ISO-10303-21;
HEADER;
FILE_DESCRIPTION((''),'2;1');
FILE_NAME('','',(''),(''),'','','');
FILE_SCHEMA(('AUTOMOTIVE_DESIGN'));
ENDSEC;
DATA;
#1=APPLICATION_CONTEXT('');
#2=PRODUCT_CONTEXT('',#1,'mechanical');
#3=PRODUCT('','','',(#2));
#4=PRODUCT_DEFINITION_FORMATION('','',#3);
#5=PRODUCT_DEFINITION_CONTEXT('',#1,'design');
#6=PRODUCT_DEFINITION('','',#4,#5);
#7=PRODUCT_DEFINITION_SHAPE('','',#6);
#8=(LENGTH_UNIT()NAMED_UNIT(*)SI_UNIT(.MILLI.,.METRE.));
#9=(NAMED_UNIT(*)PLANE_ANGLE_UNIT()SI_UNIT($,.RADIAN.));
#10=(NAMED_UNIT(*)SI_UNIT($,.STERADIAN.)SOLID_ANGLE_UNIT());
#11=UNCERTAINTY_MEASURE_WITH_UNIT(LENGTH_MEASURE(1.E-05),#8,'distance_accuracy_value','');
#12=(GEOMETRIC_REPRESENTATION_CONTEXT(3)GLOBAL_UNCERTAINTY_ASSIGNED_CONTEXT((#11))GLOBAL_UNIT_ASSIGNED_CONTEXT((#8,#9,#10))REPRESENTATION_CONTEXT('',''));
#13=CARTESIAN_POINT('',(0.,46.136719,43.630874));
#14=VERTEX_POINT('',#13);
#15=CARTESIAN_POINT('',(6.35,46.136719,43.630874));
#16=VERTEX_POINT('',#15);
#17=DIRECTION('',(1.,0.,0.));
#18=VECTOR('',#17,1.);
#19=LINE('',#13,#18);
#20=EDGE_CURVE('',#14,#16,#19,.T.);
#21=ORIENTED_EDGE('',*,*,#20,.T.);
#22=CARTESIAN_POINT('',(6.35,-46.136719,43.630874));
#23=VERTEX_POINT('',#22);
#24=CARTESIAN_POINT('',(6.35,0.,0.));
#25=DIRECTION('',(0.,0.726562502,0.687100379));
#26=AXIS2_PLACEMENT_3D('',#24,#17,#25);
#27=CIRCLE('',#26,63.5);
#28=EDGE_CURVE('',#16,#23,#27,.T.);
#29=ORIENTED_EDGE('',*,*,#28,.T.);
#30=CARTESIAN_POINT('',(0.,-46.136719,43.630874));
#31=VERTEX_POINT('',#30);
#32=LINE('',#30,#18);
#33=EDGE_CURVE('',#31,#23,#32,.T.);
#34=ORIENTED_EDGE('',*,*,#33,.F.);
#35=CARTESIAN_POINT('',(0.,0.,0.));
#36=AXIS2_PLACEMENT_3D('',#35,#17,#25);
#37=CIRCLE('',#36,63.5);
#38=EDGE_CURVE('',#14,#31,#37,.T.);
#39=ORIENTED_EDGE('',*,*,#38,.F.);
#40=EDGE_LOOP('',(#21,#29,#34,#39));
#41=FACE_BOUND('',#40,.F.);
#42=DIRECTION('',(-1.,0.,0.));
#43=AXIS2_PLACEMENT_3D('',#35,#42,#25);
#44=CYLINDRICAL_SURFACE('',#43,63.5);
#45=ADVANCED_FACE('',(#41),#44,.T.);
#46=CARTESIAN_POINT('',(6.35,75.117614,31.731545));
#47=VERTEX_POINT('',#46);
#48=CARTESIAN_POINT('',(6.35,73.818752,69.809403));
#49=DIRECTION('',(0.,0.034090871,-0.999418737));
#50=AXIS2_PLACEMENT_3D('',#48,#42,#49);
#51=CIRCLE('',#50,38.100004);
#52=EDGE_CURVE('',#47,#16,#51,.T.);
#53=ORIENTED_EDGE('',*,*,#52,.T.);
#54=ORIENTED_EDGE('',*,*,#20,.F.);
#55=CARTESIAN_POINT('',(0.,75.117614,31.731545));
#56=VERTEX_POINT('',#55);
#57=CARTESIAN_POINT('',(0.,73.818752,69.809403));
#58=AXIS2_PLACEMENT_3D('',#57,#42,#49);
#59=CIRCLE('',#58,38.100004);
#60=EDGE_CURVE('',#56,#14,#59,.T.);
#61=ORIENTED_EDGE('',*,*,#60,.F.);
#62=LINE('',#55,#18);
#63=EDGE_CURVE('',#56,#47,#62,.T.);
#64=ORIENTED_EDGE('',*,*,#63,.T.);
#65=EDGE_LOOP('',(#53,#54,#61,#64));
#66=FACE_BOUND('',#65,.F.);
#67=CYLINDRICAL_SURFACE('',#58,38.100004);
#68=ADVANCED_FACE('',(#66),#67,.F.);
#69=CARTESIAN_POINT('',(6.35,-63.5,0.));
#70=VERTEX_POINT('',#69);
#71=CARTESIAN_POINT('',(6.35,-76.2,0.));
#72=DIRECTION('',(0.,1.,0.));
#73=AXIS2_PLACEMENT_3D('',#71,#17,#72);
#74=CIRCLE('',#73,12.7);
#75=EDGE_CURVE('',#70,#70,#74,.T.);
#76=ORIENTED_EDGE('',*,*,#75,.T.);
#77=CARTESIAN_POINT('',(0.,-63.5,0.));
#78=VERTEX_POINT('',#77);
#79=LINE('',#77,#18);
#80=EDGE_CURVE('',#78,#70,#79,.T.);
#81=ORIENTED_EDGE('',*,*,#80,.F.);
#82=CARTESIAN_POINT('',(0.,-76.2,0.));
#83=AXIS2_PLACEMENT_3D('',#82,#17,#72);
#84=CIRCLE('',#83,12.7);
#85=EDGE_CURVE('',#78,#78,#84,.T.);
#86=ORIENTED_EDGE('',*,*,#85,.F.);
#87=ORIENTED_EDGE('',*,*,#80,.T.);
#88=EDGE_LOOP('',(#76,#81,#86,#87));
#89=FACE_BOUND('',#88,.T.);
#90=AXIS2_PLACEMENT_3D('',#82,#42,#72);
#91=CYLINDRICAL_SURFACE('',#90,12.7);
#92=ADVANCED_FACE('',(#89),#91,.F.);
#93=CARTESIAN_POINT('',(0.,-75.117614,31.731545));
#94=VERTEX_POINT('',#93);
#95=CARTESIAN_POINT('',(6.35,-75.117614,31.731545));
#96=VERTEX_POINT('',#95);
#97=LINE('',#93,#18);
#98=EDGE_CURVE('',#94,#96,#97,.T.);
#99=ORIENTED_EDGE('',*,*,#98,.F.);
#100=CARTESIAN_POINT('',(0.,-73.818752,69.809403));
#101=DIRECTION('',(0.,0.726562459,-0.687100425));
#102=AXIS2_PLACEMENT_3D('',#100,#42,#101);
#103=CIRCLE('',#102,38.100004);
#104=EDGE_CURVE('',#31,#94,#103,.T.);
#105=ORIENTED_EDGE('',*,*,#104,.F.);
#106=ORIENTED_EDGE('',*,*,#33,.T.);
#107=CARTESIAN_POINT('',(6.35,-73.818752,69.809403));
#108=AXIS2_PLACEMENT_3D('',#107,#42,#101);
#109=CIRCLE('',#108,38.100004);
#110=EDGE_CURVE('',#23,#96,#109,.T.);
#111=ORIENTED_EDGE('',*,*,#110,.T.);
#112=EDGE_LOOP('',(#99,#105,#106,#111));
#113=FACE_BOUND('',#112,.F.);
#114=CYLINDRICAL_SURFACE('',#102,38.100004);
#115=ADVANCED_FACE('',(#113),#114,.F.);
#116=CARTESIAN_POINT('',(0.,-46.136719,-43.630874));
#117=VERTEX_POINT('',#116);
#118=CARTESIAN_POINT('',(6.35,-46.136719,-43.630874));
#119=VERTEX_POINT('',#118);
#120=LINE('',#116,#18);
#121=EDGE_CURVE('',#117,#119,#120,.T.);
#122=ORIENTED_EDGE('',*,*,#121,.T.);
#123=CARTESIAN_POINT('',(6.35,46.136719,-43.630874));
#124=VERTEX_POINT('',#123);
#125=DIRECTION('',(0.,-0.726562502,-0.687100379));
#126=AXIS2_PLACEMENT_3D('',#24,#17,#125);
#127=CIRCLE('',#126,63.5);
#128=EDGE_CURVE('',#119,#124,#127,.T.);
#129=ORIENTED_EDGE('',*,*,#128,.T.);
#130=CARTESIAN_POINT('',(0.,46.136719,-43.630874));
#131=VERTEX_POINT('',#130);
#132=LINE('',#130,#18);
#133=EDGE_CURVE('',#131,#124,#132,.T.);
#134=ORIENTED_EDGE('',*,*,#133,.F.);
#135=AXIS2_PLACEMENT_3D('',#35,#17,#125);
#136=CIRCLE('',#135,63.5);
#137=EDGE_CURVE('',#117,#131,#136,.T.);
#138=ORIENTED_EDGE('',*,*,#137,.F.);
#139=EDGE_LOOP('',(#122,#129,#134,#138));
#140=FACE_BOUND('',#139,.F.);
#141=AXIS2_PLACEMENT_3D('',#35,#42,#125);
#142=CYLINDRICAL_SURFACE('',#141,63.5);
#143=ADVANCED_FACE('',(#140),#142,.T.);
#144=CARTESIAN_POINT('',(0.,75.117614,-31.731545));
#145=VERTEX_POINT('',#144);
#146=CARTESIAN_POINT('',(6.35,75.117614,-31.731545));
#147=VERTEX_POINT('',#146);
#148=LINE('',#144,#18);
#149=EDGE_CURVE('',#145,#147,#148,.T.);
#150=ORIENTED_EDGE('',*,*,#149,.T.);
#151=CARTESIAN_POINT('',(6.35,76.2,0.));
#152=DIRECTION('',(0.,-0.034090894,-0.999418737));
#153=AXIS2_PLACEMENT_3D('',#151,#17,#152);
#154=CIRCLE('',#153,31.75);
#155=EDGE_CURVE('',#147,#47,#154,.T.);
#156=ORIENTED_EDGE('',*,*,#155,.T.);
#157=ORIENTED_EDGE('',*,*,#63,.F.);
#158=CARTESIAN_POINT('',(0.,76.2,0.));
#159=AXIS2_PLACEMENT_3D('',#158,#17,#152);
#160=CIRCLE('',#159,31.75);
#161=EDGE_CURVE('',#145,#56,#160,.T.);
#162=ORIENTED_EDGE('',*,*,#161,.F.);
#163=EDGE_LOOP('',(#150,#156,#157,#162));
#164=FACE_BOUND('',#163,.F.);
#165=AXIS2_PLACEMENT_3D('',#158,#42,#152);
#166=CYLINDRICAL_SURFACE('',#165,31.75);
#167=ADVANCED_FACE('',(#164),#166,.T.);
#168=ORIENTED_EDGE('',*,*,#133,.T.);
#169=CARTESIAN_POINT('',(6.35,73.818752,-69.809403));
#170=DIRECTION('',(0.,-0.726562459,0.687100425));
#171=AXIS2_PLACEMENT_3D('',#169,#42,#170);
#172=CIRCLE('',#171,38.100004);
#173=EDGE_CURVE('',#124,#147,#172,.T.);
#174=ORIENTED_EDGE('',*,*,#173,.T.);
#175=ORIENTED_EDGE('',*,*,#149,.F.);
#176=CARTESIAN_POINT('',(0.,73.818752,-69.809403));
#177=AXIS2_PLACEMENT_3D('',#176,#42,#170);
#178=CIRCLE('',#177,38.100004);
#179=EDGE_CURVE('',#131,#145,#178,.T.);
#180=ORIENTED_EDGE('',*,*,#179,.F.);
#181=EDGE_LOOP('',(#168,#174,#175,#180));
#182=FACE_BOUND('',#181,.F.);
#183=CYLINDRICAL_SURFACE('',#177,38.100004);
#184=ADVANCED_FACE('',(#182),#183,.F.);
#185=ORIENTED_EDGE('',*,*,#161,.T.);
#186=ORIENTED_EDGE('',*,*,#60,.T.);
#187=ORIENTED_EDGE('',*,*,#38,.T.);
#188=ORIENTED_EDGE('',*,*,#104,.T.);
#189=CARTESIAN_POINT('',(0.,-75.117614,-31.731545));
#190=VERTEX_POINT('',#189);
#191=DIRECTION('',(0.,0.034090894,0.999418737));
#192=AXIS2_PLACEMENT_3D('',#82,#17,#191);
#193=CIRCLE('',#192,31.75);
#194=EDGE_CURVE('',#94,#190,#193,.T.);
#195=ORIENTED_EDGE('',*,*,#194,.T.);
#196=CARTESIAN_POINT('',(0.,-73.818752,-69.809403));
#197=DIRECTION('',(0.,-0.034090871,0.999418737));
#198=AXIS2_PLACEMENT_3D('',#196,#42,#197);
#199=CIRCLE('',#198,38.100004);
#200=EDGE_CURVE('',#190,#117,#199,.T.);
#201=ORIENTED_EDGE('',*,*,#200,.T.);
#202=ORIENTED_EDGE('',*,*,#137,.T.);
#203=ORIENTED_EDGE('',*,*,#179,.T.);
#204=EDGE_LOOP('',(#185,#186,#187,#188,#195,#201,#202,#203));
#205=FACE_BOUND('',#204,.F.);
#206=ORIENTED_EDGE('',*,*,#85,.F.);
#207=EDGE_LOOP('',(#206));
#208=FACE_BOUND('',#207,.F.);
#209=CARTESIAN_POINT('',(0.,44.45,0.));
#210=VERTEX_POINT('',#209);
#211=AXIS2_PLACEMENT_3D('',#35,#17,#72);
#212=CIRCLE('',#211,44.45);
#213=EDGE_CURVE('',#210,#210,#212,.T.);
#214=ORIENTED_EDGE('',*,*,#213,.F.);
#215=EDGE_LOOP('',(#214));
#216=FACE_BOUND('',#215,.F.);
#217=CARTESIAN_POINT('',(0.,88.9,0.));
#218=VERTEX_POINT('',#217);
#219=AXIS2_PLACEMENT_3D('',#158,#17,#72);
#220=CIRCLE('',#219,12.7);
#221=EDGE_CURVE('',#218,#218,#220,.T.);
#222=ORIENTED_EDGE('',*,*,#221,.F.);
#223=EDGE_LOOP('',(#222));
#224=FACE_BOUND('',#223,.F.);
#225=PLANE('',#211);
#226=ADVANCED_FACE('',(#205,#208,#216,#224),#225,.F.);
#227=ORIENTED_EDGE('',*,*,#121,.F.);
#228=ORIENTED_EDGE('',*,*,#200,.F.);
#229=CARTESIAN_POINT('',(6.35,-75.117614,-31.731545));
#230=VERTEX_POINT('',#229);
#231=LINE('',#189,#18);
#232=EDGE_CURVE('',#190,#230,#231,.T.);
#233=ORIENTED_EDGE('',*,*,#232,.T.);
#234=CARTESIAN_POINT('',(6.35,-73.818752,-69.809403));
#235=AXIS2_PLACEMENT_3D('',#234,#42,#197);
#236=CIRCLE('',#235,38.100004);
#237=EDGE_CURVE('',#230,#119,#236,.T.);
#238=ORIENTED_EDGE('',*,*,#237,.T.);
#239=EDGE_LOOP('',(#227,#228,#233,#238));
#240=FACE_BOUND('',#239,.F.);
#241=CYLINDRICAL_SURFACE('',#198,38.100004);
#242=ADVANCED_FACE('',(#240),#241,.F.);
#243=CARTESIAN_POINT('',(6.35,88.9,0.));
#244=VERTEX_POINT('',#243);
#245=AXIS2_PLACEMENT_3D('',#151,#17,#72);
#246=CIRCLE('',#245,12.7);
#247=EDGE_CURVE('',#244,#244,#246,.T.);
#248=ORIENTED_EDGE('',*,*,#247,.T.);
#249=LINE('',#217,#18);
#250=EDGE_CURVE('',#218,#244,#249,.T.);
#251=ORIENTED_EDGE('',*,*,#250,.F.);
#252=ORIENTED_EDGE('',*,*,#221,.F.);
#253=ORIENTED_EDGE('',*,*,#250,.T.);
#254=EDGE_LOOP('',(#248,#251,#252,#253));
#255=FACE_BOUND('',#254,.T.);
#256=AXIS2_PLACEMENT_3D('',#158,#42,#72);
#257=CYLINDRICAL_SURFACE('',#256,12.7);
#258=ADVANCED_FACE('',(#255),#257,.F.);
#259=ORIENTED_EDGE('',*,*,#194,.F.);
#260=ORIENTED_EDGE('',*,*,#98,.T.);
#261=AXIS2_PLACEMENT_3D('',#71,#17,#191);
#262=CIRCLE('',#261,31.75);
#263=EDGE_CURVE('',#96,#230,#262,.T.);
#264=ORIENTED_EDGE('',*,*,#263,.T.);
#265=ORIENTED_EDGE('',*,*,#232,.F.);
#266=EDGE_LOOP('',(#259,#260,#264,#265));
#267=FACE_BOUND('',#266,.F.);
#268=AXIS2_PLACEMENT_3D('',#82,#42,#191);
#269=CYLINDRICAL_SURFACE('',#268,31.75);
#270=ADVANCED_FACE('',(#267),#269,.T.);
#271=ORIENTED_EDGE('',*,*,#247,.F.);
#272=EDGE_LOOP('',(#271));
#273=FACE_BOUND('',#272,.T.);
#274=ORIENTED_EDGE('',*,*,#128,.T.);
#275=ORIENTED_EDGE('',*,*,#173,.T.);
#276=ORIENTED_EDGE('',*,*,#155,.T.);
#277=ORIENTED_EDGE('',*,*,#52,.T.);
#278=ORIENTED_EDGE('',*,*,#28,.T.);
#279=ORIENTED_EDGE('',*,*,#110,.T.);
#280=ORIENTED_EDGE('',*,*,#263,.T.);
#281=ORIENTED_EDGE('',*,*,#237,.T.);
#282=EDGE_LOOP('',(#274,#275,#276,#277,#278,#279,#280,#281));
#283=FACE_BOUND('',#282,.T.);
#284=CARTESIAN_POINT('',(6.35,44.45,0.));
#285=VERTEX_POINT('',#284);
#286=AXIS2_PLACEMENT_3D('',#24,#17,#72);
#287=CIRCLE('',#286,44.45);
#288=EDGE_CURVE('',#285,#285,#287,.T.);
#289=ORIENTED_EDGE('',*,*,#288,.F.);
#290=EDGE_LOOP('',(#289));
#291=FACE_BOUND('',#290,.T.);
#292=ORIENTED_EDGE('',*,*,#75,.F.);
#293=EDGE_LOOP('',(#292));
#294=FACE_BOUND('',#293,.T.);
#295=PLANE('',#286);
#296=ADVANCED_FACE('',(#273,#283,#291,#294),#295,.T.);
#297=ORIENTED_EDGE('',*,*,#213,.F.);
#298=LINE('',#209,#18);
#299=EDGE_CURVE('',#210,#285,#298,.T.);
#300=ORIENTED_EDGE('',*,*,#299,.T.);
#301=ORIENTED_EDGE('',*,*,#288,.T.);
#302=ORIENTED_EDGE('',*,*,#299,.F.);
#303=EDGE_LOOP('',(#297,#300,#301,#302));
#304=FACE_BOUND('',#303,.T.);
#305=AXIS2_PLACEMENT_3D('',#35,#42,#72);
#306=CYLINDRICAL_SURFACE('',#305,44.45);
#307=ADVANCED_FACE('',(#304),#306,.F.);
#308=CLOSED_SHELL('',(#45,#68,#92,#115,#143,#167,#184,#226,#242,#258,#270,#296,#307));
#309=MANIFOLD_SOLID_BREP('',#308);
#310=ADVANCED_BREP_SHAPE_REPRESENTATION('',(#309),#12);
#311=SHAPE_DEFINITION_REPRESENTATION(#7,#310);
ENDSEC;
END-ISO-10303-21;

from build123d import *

# Parameters (mm, degrees)
F0_R     = 12.7
F0_R_2   = 44.45
F1_DEPTH = 6.35


with BuildPart() as f1:
    # F0 (on Right) → F1 (new body)
    with BuildSketch(Plane.YZ):
        with BuildLine():
            ThreePointArc((75.117614, 31.731545), (59.347524, 34.564632), (46.136719, 43.630874))
            ThreePointArc((46.136719, 43.630874), (0, 63.5), (-46.136719, 43.630874))
            ThreePointArc((-46.136719, 43.630874), (-59.347524, 34.564632), (-75.117614, 31.731545))
            ThreePointArc((-75.117614, 31.731545), (-107.95, 0), (-75.117614, -31.731545))
            ThreePointArc((-75.117614, -31.731545), (-59.347524, -34.564632), (-46.136719, -43.630874))
            ThreePointArc((-46.136719, -43.630874), (0, -63.5), (46.136719, -43.630874))
            ThreePointArc((46.136719, -43.630874), (59.347524, -34.564632), (75.117614, -31.731545))
            ThreePointArc((75.117614, -31.731545), (107.95, 0), (75.117614, 31.731545))
        make_face()
        with Locations((-76.2, 0)):
            Circle(F0_R, mode=Mode.SUBTRACT)
        Circle(F0_R_2, mode=Mode.SUBTRACT)
        with Locations((76.2, 0)):
            Circle(F0_R, mode=Mode.SUBTRACT)
    extrude(amount=F1_DEPTH)


solid = f1.part
